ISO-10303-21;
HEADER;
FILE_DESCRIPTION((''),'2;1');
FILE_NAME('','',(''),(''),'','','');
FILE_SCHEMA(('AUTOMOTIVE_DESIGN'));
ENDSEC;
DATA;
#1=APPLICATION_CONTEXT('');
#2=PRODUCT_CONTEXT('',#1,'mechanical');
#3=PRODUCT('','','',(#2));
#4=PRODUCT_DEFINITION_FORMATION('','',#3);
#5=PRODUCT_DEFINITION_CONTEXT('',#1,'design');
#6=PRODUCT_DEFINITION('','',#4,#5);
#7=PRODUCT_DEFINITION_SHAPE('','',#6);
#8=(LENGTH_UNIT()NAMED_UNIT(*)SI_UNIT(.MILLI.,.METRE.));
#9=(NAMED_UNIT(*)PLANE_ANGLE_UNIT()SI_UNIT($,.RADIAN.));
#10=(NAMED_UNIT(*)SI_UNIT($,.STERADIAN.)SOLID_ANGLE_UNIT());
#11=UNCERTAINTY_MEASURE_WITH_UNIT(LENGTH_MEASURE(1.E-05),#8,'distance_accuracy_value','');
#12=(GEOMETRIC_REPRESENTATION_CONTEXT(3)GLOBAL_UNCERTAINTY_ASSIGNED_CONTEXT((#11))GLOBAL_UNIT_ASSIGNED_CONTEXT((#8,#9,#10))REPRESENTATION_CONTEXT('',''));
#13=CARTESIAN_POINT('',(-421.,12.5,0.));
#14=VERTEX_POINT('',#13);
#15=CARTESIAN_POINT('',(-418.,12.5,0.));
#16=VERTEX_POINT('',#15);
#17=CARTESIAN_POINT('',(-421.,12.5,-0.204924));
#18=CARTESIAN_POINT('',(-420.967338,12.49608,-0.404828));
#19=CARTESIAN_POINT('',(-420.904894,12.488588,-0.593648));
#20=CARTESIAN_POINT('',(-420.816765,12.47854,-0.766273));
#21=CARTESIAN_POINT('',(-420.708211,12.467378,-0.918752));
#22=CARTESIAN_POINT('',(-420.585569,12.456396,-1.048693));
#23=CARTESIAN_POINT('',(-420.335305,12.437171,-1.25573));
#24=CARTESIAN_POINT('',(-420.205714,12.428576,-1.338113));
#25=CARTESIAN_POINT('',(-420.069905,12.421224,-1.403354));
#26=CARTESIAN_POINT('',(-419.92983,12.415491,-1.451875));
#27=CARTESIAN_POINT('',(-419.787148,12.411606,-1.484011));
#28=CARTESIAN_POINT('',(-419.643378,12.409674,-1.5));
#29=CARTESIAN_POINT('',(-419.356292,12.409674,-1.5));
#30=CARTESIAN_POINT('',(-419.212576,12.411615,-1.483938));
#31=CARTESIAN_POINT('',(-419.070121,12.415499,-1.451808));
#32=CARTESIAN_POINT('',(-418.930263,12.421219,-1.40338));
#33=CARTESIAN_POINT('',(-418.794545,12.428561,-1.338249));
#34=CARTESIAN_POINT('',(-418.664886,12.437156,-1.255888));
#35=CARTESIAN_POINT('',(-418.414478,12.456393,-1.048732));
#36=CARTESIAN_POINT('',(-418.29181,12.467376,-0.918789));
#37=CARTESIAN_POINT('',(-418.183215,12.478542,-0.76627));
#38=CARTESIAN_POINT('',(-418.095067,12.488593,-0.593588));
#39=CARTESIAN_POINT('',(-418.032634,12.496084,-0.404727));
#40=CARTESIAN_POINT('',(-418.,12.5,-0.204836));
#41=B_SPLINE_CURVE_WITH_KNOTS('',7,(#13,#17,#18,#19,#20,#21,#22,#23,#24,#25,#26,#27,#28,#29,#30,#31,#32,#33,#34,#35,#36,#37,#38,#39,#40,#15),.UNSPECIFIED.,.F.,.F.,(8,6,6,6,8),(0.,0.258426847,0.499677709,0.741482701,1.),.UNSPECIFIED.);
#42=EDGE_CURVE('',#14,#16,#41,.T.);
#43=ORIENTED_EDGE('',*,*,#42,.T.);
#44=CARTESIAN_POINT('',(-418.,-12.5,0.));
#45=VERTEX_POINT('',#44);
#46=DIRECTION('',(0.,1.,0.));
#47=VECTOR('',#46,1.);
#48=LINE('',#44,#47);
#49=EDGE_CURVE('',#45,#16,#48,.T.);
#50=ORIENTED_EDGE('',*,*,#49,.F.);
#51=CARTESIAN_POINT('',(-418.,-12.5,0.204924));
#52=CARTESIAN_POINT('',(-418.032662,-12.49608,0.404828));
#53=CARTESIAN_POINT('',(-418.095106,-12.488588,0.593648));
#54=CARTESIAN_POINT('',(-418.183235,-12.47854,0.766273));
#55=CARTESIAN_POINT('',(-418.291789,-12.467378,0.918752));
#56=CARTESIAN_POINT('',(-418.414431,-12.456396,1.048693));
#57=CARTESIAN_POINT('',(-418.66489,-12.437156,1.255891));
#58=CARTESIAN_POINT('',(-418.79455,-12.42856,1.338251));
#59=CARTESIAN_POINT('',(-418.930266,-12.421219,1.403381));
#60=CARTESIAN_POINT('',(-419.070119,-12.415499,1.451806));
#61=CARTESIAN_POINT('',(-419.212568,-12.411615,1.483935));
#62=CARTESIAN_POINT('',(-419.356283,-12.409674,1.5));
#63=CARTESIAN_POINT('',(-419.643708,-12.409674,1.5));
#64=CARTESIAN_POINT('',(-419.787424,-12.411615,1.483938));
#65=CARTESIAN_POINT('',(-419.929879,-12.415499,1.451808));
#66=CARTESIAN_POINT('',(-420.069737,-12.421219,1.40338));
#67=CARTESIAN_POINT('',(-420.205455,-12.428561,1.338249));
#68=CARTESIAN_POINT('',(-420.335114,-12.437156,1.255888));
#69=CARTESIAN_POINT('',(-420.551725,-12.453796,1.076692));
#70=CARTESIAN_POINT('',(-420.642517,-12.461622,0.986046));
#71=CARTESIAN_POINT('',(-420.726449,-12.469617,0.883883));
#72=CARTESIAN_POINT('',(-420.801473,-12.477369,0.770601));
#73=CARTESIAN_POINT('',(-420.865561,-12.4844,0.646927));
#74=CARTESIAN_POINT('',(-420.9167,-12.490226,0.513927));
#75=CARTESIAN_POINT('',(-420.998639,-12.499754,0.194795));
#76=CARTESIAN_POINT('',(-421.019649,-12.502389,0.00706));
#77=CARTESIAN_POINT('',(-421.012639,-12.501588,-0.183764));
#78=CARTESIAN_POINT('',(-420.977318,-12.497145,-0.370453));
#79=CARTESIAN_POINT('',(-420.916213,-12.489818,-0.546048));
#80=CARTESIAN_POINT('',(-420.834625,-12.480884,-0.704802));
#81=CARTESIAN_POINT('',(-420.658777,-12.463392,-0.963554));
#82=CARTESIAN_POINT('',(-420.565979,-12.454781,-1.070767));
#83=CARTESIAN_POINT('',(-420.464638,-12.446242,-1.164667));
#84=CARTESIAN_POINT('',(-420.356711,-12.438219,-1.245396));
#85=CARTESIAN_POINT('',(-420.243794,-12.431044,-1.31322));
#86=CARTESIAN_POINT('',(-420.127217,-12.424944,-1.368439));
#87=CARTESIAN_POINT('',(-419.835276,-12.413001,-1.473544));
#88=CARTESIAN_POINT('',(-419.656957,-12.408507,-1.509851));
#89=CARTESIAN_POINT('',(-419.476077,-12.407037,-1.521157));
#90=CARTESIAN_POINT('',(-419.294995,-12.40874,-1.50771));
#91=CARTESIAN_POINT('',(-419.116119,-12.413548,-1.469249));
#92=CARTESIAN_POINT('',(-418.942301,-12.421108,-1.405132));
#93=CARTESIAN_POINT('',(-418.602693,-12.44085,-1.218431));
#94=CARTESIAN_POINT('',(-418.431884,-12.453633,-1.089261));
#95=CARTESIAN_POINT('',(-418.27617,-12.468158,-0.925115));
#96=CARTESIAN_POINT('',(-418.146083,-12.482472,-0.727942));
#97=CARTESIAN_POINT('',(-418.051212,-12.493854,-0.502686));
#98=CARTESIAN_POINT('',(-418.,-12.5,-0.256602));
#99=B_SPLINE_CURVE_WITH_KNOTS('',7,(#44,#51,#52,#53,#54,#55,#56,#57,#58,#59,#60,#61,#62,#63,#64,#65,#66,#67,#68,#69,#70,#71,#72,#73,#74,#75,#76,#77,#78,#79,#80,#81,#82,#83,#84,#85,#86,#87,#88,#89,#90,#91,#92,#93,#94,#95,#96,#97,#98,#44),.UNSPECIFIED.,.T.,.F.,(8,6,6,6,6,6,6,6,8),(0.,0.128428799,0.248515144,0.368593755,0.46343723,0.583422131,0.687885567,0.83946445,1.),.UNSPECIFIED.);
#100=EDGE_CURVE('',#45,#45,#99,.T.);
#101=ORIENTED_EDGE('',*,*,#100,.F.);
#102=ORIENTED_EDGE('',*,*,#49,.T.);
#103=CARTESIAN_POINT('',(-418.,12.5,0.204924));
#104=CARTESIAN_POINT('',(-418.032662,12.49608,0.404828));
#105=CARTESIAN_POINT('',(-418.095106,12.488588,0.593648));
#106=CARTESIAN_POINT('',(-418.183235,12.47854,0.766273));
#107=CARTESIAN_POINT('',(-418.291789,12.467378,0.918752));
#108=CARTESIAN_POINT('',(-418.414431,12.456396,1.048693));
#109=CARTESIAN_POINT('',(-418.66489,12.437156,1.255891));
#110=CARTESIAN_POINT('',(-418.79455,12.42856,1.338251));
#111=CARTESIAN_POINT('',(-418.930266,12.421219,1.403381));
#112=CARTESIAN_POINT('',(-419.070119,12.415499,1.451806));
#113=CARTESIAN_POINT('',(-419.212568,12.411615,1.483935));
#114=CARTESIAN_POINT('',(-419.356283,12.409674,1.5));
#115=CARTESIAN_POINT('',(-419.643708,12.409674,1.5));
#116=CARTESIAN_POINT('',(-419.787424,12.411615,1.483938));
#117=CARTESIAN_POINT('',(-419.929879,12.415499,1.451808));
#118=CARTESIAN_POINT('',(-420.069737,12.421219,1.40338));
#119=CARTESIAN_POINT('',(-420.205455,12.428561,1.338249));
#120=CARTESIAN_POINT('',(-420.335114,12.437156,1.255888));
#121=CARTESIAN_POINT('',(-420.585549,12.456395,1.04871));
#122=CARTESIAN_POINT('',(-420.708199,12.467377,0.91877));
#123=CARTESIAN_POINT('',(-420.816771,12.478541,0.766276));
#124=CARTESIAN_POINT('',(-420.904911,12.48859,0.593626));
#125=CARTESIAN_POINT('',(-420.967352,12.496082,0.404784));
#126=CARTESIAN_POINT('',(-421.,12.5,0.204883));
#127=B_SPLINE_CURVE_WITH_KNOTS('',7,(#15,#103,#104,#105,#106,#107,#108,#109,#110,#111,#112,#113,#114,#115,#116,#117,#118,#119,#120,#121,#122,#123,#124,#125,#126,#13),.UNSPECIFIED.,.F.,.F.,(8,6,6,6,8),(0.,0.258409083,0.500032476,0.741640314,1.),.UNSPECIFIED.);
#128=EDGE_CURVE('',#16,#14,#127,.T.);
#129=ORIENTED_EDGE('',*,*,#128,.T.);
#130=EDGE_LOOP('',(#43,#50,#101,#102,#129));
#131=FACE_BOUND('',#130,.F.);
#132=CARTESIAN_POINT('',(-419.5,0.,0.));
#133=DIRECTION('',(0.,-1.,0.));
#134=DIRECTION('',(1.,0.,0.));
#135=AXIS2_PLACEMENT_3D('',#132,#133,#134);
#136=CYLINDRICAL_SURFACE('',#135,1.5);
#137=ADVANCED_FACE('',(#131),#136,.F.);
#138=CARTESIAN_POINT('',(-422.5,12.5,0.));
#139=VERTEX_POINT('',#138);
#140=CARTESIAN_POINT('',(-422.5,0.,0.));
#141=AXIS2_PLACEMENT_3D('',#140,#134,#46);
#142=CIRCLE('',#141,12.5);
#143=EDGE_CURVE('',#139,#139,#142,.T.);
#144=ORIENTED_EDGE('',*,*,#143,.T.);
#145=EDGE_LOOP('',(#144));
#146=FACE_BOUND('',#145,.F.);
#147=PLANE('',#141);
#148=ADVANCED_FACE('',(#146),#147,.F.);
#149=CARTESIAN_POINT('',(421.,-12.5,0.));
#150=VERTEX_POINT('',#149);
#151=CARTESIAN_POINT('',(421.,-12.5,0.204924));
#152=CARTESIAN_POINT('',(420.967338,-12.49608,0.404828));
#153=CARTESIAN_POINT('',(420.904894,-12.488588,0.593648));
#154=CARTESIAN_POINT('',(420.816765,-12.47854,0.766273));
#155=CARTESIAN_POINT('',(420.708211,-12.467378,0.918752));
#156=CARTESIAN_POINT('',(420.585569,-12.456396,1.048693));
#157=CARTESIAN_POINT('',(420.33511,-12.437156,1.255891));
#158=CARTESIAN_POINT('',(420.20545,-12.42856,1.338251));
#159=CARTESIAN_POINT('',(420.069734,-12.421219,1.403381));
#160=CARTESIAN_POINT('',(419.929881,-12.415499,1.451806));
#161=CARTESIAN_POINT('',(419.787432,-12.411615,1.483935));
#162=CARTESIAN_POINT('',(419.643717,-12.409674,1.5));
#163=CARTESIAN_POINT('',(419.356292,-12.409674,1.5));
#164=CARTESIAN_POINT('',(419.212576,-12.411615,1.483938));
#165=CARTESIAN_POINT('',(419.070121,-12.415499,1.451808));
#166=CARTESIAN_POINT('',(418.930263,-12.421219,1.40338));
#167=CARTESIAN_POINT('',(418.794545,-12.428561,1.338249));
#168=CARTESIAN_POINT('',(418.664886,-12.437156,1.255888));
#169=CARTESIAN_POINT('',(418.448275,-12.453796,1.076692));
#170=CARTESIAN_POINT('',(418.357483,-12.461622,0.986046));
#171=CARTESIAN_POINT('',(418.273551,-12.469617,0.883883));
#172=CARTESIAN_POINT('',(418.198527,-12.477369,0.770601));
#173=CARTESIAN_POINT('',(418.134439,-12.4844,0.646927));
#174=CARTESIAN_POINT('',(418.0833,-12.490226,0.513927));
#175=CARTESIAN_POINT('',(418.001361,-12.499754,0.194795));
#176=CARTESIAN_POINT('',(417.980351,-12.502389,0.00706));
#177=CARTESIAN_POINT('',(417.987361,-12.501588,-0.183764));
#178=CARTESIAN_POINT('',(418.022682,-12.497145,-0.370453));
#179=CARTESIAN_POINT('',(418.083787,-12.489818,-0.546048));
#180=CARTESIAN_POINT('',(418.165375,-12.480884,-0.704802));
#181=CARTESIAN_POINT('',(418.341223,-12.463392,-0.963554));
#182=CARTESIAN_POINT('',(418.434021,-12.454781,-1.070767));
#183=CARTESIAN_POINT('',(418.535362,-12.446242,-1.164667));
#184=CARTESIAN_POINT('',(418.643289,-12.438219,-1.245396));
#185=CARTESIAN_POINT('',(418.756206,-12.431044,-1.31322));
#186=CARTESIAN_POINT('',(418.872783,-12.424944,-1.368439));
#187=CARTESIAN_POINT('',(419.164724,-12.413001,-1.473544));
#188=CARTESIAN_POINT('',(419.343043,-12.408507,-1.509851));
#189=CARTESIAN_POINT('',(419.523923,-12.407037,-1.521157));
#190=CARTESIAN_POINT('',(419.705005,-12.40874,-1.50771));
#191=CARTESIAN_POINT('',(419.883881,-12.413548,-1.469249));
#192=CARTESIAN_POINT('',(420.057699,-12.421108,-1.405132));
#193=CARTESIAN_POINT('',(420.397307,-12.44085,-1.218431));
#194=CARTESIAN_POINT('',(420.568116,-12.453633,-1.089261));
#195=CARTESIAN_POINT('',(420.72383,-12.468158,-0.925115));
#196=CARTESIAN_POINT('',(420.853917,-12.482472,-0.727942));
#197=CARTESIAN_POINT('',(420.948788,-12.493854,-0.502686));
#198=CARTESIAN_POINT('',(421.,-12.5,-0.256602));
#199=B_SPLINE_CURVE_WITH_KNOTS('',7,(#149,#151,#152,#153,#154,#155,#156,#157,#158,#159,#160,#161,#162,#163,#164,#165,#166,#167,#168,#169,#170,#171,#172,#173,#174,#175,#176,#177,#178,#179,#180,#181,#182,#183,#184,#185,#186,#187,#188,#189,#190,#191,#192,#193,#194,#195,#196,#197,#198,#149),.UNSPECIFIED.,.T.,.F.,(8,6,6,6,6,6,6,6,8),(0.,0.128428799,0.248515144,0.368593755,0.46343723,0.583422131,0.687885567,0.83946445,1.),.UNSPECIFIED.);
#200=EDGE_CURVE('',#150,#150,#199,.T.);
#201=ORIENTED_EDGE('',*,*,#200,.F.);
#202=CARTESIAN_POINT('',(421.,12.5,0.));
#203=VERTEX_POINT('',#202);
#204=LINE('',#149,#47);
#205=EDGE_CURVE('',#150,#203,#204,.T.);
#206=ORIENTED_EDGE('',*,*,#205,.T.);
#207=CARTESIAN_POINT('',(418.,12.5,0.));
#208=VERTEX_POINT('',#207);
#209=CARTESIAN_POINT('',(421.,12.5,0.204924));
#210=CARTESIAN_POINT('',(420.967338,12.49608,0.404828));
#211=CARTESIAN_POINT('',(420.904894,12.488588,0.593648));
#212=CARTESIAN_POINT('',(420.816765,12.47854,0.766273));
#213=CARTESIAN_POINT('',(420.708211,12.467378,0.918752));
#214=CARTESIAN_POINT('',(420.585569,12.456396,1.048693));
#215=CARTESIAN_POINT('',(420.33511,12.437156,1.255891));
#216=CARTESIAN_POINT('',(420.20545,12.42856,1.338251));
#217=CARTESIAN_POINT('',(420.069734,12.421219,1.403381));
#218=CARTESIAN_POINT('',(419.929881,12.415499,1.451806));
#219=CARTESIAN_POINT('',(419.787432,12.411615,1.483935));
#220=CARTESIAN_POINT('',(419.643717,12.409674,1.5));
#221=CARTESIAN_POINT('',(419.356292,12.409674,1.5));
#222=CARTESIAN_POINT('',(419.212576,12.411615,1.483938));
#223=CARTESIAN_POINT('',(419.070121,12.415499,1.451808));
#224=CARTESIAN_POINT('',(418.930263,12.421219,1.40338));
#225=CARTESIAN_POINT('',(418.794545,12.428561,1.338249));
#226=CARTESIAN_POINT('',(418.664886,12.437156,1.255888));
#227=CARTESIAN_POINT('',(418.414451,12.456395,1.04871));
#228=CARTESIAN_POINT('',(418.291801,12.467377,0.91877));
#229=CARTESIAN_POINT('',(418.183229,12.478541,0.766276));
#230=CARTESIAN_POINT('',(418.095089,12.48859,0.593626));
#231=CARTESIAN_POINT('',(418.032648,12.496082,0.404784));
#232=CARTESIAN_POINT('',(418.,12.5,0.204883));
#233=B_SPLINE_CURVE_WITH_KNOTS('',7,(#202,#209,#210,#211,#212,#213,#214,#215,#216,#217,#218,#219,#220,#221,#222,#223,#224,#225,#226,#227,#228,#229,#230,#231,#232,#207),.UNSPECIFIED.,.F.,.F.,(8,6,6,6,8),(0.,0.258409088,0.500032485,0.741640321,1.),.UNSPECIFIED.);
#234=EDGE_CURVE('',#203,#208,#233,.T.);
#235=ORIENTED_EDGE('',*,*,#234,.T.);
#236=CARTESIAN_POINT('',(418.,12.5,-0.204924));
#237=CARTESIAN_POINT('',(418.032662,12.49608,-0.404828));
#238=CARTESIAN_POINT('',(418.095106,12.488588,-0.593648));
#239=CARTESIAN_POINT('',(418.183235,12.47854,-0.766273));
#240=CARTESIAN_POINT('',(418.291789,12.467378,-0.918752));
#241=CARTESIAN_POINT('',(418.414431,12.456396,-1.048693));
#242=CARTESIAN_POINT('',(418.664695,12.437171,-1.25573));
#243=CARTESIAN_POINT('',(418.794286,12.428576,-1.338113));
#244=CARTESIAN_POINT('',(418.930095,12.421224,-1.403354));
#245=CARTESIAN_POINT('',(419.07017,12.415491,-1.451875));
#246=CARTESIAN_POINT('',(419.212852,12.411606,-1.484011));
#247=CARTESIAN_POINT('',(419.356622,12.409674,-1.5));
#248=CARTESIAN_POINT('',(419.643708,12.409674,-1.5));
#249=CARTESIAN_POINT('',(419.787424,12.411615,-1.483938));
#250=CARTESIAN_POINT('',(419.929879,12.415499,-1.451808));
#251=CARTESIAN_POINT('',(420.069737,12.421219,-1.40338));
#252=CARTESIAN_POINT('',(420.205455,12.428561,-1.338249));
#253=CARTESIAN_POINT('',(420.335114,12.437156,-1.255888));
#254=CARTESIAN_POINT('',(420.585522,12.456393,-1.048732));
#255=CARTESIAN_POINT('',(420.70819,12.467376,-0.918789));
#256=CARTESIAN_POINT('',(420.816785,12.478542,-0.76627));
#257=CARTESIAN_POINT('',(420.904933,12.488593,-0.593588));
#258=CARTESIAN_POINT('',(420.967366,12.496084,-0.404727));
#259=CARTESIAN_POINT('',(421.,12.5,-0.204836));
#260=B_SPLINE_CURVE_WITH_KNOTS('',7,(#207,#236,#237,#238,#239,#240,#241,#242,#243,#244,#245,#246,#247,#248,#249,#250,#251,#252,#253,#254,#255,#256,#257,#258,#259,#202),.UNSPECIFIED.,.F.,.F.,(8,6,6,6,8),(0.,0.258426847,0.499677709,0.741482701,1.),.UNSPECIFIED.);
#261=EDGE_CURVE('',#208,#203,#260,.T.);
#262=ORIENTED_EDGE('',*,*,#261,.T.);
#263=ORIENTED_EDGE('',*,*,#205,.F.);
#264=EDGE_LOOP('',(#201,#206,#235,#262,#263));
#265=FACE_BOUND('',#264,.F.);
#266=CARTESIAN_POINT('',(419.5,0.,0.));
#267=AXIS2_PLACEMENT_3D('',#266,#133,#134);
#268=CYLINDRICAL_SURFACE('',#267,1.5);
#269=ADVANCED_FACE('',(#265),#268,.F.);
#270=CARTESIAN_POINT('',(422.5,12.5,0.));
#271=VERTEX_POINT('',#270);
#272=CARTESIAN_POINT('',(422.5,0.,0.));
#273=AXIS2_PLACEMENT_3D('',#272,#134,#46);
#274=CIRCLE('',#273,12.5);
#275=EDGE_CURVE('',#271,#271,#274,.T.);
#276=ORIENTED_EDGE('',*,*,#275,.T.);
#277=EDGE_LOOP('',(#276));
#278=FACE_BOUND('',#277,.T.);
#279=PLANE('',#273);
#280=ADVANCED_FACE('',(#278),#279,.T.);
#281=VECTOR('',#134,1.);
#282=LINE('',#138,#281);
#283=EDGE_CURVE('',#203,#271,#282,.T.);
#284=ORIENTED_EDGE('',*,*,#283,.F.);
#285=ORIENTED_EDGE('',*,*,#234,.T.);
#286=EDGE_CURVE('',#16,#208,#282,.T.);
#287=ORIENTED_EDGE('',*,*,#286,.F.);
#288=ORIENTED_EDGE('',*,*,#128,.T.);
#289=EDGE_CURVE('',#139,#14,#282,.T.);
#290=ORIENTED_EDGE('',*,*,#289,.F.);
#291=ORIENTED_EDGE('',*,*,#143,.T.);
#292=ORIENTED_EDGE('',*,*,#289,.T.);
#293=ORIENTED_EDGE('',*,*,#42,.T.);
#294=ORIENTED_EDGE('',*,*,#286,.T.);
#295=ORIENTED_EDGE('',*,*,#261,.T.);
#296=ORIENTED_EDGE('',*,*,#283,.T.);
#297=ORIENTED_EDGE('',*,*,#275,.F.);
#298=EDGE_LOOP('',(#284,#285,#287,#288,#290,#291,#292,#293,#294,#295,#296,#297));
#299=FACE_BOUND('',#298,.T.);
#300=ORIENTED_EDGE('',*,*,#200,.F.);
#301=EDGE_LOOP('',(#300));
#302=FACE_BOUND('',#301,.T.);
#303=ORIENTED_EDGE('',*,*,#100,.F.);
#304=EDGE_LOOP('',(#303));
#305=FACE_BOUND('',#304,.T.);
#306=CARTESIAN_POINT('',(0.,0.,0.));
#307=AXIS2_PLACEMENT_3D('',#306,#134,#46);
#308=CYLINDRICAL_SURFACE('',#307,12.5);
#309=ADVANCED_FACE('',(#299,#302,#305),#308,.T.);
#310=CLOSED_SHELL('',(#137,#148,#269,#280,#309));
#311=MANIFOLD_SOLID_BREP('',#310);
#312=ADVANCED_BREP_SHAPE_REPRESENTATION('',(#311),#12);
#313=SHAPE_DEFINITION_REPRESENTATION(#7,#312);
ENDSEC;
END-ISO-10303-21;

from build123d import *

# Parameters (mm, degrees)
F0_R          = 12.5
F1_DEPTH      = 422.5
F2_R          = 1.5
F3_DEPTH      = 12.501
F3_DEPTH_BACK = 12.501


with BuildPart() as f1:
    # F0 (on Right) → F1 (new body, symmetric)
    with BuildSketch(Plane.YZ):
        Circle(F0_R)
    extrude(amount=F1_DEPTH, both=True)

    # F2 (on Front) → F3 (cut, two sides)
    with BuildSketch(Plane.XZ) as f3_sk:
        with Locations((-419.5, 0)):
            Circle(F2_R)
        with Locations((419.5, 0)):
            Circle(F2_R)
    extrude(amount=-F3_DEPTH, mode=Mode.SUBTRACT)
    extrude(f3_sk.sketch, amount=F3_DEPTH_BACK, mode=Mode.SUBTRACT)


solid = f1.part
